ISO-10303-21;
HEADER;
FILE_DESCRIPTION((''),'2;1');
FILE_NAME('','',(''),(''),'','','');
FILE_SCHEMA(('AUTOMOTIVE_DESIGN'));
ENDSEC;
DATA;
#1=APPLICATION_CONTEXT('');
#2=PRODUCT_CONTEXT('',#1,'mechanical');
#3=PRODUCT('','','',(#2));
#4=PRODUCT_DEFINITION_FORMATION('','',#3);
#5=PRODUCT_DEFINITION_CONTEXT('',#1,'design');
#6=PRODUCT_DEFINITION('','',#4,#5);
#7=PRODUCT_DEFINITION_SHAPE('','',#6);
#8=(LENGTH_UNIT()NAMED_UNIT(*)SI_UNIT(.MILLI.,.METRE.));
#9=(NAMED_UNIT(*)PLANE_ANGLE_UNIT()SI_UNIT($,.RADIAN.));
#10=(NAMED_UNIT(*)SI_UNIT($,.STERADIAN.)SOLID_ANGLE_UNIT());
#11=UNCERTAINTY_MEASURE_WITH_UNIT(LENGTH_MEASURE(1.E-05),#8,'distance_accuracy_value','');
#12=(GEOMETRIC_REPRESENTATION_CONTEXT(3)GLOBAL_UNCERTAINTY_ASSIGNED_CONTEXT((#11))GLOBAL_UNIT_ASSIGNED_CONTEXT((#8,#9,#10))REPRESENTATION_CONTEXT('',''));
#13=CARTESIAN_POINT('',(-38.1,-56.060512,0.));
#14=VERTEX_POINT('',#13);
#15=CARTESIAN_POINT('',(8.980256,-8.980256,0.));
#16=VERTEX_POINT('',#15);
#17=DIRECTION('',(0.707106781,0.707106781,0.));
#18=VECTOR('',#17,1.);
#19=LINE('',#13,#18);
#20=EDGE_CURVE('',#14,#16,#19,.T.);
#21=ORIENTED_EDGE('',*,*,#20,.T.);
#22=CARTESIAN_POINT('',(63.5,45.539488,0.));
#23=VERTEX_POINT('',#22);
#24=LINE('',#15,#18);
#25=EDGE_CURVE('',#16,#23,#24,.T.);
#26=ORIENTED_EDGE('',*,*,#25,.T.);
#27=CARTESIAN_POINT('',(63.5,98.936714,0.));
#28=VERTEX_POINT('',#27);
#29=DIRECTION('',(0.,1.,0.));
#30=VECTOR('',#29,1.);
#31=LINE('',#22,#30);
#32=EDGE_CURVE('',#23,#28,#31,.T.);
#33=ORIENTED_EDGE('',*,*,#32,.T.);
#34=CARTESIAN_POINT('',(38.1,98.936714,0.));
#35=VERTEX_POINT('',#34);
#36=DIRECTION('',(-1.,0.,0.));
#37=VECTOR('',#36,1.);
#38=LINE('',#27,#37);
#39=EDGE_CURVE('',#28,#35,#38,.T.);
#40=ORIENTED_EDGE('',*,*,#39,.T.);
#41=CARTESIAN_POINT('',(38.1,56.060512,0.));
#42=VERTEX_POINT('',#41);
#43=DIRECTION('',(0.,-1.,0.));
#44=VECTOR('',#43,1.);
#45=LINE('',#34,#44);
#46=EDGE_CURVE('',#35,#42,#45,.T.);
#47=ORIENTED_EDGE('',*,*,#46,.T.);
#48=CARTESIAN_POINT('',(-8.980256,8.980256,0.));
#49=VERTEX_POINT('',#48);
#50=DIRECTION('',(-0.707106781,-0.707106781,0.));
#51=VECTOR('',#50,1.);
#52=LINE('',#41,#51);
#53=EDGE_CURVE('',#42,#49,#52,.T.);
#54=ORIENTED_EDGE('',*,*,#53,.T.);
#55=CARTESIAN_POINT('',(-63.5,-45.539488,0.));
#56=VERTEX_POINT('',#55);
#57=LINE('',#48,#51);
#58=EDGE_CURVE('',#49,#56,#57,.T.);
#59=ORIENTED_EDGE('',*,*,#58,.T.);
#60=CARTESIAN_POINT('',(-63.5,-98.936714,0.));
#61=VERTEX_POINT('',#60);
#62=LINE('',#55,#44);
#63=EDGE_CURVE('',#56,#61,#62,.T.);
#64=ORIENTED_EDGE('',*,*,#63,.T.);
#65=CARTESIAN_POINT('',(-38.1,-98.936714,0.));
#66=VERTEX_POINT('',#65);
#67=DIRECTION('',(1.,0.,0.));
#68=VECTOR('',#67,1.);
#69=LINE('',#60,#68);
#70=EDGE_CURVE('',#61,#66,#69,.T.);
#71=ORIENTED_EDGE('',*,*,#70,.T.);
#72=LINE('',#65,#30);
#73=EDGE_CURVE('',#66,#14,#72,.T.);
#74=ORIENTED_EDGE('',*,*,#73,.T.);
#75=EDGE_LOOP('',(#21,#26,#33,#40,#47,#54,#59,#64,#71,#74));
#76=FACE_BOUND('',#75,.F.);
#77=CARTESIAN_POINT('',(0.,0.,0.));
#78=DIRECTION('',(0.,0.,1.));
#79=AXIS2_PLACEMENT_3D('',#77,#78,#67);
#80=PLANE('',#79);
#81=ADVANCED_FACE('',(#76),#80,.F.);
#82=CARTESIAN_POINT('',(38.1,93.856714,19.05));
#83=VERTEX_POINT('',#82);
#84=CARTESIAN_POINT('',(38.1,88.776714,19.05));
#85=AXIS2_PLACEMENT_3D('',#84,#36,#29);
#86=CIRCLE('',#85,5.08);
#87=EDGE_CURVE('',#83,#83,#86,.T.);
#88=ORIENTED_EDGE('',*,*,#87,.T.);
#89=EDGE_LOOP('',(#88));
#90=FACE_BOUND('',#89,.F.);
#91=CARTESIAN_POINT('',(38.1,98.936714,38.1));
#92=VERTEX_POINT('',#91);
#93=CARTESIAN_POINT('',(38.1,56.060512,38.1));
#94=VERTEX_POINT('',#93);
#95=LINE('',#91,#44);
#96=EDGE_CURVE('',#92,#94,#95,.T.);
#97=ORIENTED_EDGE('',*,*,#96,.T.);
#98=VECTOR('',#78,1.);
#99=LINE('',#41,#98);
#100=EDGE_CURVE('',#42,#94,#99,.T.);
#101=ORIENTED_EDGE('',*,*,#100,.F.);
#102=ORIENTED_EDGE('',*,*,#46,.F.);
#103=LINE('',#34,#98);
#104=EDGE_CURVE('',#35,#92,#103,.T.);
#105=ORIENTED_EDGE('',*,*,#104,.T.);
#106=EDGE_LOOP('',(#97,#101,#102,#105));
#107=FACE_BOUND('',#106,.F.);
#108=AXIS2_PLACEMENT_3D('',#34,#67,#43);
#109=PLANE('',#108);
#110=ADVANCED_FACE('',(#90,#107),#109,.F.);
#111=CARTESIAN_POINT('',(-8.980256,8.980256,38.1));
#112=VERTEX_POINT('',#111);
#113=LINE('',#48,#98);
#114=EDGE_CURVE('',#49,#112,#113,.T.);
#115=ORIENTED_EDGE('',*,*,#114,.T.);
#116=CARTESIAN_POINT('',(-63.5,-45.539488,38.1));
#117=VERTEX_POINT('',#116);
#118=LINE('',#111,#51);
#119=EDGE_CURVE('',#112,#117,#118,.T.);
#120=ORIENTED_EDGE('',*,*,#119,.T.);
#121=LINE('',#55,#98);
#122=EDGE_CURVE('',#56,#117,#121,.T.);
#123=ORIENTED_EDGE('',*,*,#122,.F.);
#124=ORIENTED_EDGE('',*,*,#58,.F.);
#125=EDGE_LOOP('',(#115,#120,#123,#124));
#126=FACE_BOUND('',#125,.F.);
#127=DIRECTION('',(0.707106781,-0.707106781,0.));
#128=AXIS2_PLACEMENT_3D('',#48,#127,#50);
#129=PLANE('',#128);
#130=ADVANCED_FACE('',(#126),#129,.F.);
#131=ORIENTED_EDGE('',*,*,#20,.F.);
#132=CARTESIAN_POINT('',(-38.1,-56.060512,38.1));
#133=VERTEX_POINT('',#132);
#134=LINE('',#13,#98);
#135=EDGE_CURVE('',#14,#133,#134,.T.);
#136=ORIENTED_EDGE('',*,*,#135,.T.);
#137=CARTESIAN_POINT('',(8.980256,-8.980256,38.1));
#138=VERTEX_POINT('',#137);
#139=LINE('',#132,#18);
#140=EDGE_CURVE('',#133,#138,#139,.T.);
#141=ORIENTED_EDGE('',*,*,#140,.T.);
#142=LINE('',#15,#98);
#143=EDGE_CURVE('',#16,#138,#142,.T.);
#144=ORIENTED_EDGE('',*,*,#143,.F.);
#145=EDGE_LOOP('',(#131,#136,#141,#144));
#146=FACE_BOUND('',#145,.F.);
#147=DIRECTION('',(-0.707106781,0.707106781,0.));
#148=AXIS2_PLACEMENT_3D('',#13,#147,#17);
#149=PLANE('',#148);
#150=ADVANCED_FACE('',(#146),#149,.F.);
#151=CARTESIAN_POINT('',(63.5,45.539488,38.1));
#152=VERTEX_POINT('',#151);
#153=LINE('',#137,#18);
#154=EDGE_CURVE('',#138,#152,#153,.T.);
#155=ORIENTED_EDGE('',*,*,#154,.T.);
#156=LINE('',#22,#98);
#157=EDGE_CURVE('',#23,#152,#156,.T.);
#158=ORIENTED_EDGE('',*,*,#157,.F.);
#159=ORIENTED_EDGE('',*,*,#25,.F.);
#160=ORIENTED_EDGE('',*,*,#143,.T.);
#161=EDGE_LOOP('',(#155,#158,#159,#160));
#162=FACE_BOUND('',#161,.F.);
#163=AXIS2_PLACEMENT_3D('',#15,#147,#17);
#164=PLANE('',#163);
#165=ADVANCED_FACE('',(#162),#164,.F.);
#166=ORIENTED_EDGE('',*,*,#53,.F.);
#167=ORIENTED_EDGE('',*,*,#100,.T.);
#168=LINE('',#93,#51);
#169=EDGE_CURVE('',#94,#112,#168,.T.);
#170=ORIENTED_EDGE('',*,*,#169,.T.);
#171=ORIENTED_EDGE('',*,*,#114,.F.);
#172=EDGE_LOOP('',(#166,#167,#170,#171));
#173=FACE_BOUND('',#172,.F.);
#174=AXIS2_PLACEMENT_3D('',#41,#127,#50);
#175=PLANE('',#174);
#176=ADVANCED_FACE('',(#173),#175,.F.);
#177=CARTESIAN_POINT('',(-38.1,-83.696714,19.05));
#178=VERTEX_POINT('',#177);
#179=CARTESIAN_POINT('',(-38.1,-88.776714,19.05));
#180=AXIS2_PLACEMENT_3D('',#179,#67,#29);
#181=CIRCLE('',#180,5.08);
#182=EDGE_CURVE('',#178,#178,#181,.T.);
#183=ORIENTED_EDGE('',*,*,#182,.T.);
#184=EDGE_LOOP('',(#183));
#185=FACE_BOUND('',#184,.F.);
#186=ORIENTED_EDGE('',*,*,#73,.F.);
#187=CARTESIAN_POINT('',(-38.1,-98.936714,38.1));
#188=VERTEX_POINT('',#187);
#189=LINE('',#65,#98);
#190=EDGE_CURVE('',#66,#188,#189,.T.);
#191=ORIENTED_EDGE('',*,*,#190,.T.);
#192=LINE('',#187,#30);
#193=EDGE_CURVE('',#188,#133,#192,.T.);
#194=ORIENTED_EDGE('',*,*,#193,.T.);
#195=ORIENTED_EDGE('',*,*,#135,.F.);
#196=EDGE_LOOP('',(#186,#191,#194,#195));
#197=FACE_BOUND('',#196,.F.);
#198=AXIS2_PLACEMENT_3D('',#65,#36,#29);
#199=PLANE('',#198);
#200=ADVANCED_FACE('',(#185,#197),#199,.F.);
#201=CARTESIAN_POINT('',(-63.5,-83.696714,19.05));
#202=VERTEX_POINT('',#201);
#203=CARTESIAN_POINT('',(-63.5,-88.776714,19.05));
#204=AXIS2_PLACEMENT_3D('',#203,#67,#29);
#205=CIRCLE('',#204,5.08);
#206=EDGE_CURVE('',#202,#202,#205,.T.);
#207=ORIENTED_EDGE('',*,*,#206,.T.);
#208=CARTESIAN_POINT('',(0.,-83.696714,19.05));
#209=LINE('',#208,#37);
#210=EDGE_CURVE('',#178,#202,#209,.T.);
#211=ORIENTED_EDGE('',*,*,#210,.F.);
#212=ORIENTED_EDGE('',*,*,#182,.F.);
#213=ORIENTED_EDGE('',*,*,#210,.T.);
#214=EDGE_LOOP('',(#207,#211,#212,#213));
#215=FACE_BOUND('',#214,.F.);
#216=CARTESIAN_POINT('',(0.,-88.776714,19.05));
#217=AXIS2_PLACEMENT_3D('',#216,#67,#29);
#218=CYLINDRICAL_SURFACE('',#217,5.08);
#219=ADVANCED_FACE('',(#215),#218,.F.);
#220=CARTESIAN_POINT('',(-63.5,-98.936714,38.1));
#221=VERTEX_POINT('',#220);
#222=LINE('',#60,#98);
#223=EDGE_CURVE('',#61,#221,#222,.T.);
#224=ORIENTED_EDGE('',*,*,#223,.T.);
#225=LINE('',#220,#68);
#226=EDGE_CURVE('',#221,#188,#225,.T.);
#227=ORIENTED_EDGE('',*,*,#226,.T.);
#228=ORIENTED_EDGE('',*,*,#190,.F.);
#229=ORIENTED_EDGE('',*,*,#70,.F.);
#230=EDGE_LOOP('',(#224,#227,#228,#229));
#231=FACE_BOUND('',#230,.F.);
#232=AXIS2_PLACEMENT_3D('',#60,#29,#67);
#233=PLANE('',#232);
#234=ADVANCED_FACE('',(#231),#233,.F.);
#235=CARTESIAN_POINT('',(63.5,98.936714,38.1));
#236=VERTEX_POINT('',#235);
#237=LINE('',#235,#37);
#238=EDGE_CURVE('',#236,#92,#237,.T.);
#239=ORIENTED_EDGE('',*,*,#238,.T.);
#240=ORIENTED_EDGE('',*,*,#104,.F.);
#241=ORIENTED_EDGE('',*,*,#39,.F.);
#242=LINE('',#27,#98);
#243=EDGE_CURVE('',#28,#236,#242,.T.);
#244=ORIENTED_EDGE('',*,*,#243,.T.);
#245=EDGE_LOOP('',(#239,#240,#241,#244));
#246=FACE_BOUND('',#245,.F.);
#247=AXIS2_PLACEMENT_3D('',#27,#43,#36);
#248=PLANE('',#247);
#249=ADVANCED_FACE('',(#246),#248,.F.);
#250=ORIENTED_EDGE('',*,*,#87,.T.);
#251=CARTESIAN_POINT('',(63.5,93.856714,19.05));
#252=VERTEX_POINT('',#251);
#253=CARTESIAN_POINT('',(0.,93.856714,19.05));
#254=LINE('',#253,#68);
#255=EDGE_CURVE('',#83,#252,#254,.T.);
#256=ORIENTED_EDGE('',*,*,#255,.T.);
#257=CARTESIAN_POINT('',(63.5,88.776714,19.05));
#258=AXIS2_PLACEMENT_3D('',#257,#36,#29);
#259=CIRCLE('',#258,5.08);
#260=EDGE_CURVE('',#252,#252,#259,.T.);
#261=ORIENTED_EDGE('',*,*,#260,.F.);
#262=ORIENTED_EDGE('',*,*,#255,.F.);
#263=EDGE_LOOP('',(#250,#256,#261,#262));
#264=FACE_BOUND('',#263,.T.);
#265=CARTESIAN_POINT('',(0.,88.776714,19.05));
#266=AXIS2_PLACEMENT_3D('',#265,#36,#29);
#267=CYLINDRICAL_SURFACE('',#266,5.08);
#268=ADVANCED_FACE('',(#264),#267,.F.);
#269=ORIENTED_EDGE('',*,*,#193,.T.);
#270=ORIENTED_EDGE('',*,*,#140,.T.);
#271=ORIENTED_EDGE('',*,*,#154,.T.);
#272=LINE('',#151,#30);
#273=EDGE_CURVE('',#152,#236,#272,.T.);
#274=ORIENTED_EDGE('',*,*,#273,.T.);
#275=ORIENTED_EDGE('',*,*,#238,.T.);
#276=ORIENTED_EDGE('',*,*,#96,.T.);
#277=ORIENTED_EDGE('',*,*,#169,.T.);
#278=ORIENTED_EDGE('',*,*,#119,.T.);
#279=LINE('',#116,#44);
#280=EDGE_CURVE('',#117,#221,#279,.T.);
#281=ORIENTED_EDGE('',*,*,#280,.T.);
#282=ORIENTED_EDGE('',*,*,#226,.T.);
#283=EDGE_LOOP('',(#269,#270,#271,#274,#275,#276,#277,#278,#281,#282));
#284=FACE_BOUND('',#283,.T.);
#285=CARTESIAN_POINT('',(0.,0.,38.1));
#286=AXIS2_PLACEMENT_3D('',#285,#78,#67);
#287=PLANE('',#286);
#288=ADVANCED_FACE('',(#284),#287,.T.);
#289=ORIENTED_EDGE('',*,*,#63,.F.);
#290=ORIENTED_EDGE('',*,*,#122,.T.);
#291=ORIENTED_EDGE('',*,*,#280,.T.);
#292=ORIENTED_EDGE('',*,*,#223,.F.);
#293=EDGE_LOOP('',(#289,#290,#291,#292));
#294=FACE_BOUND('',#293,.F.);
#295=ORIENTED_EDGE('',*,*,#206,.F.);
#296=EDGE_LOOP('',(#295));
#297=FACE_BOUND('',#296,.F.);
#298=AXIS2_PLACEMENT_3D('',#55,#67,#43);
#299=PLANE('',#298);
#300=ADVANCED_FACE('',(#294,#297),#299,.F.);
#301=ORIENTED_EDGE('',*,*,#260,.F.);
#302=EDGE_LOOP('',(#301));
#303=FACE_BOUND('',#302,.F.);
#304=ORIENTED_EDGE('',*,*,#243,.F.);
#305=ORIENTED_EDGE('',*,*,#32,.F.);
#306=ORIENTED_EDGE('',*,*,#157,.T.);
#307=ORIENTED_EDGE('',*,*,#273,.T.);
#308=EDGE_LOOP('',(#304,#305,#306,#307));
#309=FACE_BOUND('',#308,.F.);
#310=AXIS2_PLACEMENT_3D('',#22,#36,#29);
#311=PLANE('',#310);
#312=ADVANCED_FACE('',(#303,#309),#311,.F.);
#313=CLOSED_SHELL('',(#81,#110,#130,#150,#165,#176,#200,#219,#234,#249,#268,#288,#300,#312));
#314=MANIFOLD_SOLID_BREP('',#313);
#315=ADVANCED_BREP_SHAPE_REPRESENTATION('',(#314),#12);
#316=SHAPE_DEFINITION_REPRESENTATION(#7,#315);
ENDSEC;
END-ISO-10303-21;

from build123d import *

# Parameters (mm, degrees)
F1_DEPTH      = 38.1
F2_R          = 5.08
F3_DEPTH      = 63.501
F3_DEPTH_BACK = 63.501


with BuildPart() as f1:
    # F0 (on Top) → F1 (new body)
    with BuildSketch(Plane.XY):
        Polygon((-8.9802561211, 8.9802561211), (-63.5, -45.5394877579), (-63.5, -98.9367140889), (-38.1, -98.9367140889), (-38.1, -56.0605122421), (8.9802561211, -8.9802561211), (63.5, 45.5394877579), (63.5, 98.9367140889), (38.1, 98.9367140889), (38.1, 56.0605122421), align=None)
    extrude(amount=F1_DEPTH)

    # F2 (on Right) → F3 (cut, two sides)
    with BuildSketch(Plane.YZ) as f3_sk:
        with Locations((88.7767140889, 19.05)):
            Circle(F2_R)
        with Locations((-88.7767140889, 19.05)):
            Circle(F2_R)
    extrude(amount=-F3_DEPTH, mode=Mode.SUBTRACT)
    extrude(f3_sk.sketch, amount=F3_DEPTH_BACK, mode=Mode.SUBTRACT)


solid = f1.part
